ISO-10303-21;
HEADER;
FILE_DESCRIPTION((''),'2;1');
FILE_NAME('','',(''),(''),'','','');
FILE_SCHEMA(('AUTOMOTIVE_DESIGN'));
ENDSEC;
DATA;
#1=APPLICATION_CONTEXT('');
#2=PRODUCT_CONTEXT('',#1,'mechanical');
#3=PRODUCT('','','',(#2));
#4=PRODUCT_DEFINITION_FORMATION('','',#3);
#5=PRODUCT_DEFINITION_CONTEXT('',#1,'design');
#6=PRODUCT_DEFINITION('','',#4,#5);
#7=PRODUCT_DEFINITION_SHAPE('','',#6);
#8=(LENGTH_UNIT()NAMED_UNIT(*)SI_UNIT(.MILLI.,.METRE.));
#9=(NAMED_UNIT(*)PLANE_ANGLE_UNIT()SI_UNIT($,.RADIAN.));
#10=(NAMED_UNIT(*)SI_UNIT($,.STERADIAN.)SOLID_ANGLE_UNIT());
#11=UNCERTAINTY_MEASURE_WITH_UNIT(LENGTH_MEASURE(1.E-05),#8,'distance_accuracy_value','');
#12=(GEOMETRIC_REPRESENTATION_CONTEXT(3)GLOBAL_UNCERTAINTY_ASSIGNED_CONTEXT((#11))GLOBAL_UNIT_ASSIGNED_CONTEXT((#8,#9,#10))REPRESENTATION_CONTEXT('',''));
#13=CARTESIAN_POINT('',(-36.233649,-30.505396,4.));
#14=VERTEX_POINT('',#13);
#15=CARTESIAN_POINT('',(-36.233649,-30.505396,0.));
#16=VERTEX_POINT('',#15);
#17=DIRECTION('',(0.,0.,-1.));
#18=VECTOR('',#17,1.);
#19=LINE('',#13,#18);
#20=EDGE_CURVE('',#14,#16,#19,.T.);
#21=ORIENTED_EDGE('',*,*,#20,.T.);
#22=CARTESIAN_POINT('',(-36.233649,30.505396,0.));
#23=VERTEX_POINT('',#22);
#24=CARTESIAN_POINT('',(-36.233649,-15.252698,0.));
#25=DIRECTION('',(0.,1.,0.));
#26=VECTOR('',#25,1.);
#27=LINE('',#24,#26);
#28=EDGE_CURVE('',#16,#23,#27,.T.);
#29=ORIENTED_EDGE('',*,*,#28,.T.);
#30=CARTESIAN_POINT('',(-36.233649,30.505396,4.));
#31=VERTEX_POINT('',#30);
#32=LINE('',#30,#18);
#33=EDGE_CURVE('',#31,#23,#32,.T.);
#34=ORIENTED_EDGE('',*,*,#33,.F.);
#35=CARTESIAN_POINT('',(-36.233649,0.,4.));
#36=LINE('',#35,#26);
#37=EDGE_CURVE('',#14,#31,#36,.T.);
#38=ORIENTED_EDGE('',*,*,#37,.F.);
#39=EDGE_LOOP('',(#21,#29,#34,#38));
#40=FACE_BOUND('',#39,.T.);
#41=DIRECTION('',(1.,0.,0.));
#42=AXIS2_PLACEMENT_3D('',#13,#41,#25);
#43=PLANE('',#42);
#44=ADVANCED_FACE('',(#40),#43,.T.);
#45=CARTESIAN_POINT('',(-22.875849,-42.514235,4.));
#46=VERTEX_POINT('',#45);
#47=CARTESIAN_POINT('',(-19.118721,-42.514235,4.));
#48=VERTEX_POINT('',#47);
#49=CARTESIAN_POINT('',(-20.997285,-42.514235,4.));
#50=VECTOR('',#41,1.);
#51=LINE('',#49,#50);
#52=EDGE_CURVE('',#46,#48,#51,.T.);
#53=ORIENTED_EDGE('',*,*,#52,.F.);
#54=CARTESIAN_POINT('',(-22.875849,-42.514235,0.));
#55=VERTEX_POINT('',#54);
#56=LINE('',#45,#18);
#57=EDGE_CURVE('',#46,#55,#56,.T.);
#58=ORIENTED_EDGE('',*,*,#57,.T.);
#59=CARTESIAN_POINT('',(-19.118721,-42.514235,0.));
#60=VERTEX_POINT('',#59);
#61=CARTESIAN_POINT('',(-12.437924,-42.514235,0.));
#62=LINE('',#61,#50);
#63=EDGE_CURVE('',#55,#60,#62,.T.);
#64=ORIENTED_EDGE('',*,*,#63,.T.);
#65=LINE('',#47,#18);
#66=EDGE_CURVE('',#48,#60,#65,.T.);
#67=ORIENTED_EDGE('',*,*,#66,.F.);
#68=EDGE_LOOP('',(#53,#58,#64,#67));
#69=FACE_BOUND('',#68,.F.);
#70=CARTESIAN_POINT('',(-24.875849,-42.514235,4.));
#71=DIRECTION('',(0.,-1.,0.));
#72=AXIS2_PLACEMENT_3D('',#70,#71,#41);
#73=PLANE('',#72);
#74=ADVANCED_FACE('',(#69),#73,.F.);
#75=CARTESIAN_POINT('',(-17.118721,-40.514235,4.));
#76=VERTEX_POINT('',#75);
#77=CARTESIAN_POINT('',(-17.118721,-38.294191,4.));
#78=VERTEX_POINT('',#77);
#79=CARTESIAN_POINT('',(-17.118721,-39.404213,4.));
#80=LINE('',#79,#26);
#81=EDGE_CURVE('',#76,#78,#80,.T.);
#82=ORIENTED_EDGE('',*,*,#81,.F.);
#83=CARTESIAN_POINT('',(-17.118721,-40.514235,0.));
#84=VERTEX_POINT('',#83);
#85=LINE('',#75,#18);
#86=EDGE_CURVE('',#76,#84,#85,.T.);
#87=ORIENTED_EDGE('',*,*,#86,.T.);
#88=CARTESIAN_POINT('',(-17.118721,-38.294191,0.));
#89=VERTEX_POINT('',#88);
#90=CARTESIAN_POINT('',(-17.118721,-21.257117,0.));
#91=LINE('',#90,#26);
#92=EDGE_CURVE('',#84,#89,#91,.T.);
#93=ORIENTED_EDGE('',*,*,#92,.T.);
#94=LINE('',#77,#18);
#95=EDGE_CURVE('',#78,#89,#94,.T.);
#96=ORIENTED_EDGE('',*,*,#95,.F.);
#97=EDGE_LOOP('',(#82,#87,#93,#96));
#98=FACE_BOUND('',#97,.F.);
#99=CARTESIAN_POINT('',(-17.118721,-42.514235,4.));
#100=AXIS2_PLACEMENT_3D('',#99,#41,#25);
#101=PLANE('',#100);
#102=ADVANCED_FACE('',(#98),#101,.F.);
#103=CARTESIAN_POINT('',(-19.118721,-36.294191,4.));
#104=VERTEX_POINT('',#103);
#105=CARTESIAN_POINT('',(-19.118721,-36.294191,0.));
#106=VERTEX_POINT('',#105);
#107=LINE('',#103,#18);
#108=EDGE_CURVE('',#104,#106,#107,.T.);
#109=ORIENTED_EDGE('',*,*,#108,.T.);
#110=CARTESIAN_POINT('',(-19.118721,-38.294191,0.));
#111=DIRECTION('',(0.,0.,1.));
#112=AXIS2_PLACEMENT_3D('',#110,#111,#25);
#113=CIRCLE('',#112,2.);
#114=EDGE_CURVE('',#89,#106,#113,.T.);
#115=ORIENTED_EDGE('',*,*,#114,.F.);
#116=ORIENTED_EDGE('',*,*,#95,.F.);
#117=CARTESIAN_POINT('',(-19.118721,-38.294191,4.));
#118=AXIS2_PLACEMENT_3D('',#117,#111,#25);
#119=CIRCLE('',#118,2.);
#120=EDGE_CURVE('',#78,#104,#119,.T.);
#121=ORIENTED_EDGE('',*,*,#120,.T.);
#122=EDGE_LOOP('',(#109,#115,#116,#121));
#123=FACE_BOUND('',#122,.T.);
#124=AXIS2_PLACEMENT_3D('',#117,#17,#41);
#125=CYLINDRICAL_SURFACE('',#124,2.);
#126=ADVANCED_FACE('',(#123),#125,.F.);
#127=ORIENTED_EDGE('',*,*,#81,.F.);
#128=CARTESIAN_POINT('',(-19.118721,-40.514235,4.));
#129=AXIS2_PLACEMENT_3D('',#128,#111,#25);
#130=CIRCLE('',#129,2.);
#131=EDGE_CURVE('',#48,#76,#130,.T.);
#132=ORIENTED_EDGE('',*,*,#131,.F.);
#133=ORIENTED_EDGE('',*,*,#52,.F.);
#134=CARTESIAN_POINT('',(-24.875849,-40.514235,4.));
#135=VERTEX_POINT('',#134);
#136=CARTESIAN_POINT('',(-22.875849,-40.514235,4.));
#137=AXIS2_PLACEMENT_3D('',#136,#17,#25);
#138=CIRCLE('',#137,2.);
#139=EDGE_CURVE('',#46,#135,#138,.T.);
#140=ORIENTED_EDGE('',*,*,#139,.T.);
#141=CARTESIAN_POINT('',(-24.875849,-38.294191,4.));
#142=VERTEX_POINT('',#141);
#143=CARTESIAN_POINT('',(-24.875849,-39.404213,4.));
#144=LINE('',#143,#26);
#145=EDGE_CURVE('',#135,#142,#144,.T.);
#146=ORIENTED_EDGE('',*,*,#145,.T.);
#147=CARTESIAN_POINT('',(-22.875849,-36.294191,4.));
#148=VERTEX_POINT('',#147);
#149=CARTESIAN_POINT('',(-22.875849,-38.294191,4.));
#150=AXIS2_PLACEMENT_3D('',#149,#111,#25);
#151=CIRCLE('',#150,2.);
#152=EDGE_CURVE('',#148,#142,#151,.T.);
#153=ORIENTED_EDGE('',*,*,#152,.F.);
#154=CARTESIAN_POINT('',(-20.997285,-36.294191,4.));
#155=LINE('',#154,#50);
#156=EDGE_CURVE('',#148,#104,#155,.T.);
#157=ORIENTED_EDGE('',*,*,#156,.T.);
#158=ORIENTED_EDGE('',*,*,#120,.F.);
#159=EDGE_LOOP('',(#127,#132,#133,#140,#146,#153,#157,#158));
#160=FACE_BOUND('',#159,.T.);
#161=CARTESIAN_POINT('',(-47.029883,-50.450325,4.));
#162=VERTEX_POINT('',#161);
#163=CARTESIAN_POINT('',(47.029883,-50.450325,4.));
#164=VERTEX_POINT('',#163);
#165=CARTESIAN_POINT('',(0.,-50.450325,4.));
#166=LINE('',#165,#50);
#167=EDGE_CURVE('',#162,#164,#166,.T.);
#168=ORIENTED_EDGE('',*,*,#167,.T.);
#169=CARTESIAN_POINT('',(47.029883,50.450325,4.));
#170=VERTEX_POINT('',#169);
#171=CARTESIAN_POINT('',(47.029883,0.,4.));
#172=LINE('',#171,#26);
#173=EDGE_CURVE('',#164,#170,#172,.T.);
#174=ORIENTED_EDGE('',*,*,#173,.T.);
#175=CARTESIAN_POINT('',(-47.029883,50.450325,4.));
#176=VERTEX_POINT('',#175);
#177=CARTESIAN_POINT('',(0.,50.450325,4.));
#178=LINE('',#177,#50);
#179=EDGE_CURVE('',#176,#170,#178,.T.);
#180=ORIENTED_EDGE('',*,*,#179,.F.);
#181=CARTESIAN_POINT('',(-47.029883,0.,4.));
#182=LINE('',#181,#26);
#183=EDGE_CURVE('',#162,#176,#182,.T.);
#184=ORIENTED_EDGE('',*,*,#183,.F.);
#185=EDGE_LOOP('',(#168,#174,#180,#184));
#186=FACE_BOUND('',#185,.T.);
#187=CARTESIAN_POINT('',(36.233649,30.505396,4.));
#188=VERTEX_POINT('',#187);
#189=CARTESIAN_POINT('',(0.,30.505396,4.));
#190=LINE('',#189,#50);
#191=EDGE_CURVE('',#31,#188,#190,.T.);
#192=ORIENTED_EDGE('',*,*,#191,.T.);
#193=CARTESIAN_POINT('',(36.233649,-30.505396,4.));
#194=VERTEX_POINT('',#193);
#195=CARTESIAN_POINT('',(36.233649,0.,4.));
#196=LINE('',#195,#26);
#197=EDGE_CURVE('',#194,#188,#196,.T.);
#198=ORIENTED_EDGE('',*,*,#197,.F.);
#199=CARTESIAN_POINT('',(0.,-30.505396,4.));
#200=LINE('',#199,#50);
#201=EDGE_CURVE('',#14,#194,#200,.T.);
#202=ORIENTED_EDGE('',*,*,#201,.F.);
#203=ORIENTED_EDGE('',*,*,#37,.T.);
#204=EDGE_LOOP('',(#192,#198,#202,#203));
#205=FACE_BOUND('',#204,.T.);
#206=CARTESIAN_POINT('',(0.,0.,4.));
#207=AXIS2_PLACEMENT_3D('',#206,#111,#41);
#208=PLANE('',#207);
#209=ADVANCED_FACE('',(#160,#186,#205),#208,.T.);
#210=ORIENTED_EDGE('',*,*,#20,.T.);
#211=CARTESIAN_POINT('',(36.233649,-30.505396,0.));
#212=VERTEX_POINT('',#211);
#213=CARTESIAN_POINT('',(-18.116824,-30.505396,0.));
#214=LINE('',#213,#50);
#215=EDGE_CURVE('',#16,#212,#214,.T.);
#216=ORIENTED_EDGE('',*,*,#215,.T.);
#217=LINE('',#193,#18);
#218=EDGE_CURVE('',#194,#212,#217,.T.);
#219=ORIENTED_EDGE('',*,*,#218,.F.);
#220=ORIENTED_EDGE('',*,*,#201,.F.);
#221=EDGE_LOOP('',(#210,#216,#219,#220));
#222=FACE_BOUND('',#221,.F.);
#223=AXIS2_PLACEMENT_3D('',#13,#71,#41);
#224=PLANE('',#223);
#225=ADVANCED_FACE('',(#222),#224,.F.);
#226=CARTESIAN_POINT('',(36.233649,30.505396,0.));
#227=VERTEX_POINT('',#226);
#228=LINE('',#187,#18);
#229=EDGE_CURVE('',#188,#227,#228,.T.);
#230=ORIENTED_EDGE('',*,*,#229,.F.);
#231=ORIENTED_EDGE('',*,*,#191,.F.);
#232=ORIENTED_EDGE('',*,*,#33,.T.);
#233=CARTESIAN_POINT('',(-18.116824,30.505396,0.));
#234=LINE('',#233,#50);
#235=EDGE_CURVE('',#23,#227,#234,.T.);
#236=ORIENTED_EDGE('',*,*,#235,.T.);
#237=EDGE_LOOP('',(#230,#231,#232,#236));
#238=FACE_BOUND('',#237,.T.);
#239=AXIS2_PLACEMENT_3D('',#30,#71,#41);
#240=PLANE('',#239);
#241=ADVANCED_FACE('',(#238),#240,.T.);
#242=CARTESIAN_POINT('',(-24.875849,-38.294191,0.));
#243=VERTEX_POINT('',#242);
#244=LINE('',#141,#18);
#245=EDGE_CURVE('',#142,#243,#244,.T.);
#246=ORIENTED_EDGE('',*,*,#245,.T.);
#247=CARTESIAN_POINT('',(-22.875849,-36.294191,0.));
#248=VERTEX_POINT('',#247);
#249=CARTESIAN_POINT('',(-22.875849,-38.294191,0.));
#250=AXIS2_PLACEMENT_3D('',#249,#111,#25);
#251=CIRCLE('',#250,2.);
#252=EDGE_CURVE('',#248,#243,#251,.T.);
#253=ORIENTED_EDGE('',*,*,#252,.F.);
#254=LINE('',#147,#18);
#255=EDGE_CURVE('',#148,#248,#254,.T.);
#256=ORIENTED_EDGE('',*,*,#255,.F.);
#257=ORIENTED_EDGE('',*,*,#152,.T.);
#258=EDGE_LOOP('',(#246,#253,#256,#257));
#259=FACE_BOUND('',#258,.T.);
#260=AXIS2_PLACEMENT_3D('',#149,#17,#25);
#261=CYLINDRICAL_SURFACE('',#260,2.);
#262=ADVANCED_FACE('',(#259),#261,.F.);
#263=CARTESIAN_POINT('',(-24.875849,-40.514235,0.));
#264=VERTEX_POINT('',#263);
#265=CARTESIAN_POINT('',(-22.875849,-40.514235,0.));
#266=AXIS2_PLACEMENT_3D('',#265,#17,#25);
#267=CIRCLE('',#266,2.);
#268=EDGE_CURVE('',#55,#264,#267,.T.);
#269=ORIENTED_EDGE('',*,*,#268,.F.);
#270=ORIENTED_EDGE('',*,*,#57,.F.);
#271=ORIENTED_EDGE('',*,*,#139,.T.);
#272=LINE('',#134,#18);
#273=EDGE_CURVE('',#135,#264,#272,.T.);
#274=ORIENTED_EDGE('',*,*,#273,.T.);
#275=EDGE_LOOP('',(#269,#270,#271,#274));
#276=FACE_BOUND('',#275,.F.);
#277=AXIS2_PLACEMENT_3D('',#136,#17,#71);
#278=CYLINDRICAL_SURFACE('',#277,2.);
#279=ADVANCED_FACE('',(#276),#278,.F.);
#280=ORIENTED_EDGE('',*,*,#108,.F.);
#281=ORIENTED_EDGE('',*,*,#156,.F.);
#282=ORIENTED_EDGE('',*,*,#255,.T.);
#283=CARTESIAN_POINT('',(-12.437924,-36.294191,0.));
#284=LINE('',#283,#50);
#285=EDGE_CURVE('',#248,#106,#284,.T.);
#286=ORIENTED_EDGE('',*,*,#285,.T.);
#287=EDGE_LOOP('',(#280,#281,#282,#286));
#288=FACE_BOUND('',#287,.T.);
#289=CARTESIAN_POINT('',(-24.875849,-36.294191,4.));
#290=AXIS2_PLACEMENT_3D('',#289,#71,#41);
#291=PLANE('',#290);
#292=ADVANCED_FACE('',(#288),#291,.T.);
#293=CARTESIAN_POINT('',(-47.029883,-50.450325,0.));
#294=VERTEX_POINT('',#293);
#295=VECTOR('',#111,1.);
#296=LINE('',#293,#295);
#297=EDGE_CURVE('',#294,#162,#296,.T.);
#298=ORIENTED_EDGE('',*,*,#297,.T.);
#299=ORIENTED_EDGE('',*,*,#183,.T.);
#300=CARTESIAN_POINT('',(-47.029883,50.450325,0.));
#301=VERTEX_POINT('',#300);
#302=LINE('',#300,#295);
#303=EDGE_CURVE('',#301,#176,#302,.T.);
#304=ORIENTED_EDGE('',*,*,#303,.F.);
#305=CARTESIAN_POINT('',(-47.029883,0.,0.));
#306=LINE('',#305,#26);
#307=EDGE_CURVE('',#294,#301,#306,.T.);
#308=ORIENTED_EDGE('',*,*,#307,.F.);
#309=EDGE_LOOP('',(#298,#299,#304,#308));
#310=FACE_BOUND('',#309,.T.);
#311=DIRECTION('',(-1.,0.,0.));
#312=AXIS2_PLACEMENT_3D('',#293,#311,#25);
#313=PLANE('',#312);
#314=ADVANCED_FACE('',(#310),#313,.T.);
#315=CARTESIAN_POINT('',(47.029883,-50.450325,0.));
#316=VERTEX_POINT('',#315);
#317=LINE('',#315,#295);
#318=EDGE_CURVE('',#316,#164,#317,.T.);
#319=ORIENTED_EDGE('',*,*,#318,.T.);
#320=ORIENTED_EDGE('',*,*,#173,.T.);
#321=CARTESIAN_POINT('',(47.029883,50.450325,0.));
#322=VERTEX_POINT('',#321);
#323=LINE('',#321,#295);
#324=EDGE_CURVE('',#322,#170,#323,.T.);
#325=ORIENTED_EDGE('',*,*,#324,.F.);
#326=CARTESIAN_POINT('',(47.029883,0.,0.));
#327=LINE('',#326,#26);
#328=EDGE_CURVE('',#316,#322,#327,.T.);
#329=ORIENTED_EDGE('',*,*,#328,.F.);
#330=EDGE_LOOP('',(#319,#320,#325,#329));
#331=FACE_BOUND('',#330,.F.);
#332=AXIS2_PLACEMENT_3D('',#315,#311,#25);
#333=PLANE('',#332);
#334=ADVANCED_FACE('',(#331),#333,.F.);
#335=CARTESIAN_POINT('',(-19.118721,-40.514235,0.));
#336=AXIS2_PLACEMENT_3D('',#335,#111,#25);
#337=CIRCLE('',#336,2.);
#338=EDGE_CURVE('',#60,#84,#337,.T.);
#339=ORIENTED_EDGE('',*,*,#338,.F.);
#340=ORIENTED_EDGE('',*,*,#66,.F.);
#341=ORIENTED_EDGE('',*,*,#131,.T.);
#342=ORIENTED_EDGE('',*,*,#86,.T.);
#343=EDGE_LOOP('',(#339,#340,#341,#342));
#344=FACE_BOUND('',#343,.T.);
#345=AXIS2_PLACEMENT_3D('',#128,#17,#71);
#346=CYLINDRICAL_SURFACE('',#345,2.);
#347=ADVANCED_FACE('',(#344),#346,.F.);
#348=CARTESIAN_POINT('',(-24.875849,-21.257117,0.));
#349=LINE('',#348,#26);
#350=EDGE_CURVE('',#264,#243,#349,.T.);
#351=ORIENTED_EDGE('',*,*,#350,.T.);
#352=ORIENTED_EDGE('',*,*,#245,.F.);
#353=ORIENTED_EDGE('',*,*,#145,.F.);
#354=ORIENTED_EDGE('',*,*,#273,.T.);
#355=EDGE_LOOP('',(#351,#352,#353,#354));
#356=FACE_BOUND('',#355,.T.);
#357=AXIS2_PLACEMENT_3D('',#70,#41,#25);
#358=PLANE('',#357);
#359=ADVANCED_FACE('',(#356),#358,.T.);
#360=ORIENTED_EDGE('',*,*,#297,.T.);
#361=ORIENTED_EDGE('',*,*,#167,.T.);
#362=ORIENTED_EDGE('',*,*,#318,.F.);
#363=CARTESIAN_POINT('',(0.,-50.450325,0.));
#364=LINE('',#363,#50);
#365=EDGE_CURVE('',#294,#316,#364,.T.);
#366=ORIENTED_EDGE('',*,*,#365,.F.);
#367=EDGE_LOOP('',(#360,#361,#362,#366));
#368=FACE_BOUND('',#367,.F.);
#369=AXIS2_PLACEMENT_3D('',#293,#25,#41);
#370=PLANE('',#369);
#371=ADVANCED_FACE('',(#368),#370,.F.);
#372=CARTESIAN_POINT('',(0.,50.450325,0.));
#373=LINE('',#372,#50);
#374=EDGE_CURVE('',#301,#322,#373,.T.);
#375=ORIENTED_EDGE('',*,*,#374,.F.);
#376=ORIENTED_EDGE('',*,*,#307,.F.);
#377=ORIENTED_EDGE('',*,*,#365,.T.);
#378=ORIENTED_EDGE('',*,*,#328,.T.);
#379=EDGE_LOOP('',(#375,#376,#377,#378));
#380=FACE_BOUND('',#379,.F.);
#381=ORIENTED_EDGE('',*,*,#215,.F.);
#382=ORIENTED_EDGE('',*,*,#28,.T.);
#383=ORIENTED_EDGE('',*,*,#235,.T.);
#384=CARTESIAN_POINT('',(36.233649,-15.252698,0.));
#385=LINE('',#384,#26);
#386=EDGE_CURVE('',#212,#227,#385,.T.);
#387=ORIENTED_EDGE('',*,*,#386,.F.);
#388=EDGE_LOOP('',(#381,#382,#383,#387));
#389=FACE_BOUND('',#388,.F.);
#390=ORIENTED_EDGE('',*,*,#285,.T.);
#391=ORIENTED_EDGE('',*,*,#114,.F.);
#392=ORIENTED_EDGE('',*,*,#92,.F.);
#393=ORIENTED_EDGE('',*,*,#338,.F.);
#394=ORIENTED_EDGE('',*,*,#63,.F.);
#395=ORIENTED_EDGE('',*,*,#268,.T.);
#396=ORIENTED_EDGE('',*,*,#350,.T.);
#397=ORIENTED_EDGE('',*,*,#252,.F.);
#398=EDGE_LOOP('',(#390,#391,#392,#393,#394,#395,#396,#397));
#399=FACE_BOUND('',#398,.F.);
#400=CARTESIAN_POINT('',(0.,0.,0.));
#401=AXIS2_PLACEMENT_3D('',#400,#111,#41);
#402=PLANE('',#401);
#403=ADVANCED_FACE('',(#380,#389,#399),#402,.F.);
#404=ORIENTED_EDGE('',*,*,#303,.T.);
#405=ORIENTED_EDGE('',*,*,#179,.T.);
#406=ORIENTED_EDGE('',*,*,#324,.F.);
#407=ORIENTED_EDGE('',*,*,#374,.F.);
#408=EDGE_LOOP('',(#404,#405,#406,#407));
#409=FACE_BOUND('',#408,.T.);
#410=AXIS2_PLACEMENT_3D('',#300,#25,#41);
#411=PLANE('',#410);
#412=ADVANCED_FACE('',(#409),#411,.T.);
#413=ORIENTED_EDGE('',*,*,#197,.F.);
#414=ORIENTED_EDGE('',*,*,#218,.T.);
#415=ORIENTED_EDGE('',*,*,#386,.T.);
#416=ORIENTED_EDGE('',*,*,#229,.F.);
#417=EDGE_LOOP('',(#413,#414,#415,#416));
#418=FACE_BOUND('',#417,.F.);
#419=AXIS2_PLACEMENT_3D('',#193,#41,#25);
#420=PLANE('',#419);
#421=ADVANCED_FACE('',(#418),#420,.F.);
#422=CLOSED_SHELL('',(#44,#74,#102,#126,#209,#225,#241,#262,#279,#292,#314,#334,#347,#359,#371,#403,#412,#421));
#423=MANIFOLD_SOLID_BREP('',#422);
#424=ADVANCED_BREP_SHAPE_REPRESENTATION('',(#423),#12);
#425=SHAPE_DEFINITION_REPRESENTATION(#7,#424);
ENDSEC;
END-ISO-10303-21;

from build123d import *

# Parameters (mm, degrees)
F0_W     = 94.059766
F0_H     = 100.90065
F1_DEPTH = 4
F6_W     = 72.467298
F6_H     = 61.010792
F2_DEPTH = 25
F3_W     = 7.757127
F3_H     = 6.220043
F4_DEPTH = 25
F5_R     = 2


with BuildPart() as f1:
    # F0 (on Top) → F1 (new body)
    with BuildSketch(Plane.XY):
        Rectangle(F0_W, F0_H)
    extrude(amount=F1_DEPTH)

    # F6 (on face) → F2 (cut)
    with BuildSketch(Plane.XY.offset(4)):
        Rectangle(F6_W, F6_H)
    extrude(amount=-F2_DEPTH, mode=Mode.SUBTRACT)

    # F3 (on face) → F4 (cut)
    with BuildSketch(Plane.XY.offset(4)):
        with Locations((-20.997285, -39.404213)):
            Rectangle(F3_W, F3_H)
    extrude(amount=-F4_DEPTH, mode=Mode.SUBTRACT)

    # F5
    f5_edges = [f1.edges().sort_by_distance(p)[0] for p in [
        (-24.875849, -36.294192, 2),
        (-24.875849, -42.514235, 2),
        (-17.118722, -42.514235, 2),
        (-17.118722, -36.294192, 2),
    ]]
    fillet(f5_edges, radius=F5_R)


solid = f1.part
